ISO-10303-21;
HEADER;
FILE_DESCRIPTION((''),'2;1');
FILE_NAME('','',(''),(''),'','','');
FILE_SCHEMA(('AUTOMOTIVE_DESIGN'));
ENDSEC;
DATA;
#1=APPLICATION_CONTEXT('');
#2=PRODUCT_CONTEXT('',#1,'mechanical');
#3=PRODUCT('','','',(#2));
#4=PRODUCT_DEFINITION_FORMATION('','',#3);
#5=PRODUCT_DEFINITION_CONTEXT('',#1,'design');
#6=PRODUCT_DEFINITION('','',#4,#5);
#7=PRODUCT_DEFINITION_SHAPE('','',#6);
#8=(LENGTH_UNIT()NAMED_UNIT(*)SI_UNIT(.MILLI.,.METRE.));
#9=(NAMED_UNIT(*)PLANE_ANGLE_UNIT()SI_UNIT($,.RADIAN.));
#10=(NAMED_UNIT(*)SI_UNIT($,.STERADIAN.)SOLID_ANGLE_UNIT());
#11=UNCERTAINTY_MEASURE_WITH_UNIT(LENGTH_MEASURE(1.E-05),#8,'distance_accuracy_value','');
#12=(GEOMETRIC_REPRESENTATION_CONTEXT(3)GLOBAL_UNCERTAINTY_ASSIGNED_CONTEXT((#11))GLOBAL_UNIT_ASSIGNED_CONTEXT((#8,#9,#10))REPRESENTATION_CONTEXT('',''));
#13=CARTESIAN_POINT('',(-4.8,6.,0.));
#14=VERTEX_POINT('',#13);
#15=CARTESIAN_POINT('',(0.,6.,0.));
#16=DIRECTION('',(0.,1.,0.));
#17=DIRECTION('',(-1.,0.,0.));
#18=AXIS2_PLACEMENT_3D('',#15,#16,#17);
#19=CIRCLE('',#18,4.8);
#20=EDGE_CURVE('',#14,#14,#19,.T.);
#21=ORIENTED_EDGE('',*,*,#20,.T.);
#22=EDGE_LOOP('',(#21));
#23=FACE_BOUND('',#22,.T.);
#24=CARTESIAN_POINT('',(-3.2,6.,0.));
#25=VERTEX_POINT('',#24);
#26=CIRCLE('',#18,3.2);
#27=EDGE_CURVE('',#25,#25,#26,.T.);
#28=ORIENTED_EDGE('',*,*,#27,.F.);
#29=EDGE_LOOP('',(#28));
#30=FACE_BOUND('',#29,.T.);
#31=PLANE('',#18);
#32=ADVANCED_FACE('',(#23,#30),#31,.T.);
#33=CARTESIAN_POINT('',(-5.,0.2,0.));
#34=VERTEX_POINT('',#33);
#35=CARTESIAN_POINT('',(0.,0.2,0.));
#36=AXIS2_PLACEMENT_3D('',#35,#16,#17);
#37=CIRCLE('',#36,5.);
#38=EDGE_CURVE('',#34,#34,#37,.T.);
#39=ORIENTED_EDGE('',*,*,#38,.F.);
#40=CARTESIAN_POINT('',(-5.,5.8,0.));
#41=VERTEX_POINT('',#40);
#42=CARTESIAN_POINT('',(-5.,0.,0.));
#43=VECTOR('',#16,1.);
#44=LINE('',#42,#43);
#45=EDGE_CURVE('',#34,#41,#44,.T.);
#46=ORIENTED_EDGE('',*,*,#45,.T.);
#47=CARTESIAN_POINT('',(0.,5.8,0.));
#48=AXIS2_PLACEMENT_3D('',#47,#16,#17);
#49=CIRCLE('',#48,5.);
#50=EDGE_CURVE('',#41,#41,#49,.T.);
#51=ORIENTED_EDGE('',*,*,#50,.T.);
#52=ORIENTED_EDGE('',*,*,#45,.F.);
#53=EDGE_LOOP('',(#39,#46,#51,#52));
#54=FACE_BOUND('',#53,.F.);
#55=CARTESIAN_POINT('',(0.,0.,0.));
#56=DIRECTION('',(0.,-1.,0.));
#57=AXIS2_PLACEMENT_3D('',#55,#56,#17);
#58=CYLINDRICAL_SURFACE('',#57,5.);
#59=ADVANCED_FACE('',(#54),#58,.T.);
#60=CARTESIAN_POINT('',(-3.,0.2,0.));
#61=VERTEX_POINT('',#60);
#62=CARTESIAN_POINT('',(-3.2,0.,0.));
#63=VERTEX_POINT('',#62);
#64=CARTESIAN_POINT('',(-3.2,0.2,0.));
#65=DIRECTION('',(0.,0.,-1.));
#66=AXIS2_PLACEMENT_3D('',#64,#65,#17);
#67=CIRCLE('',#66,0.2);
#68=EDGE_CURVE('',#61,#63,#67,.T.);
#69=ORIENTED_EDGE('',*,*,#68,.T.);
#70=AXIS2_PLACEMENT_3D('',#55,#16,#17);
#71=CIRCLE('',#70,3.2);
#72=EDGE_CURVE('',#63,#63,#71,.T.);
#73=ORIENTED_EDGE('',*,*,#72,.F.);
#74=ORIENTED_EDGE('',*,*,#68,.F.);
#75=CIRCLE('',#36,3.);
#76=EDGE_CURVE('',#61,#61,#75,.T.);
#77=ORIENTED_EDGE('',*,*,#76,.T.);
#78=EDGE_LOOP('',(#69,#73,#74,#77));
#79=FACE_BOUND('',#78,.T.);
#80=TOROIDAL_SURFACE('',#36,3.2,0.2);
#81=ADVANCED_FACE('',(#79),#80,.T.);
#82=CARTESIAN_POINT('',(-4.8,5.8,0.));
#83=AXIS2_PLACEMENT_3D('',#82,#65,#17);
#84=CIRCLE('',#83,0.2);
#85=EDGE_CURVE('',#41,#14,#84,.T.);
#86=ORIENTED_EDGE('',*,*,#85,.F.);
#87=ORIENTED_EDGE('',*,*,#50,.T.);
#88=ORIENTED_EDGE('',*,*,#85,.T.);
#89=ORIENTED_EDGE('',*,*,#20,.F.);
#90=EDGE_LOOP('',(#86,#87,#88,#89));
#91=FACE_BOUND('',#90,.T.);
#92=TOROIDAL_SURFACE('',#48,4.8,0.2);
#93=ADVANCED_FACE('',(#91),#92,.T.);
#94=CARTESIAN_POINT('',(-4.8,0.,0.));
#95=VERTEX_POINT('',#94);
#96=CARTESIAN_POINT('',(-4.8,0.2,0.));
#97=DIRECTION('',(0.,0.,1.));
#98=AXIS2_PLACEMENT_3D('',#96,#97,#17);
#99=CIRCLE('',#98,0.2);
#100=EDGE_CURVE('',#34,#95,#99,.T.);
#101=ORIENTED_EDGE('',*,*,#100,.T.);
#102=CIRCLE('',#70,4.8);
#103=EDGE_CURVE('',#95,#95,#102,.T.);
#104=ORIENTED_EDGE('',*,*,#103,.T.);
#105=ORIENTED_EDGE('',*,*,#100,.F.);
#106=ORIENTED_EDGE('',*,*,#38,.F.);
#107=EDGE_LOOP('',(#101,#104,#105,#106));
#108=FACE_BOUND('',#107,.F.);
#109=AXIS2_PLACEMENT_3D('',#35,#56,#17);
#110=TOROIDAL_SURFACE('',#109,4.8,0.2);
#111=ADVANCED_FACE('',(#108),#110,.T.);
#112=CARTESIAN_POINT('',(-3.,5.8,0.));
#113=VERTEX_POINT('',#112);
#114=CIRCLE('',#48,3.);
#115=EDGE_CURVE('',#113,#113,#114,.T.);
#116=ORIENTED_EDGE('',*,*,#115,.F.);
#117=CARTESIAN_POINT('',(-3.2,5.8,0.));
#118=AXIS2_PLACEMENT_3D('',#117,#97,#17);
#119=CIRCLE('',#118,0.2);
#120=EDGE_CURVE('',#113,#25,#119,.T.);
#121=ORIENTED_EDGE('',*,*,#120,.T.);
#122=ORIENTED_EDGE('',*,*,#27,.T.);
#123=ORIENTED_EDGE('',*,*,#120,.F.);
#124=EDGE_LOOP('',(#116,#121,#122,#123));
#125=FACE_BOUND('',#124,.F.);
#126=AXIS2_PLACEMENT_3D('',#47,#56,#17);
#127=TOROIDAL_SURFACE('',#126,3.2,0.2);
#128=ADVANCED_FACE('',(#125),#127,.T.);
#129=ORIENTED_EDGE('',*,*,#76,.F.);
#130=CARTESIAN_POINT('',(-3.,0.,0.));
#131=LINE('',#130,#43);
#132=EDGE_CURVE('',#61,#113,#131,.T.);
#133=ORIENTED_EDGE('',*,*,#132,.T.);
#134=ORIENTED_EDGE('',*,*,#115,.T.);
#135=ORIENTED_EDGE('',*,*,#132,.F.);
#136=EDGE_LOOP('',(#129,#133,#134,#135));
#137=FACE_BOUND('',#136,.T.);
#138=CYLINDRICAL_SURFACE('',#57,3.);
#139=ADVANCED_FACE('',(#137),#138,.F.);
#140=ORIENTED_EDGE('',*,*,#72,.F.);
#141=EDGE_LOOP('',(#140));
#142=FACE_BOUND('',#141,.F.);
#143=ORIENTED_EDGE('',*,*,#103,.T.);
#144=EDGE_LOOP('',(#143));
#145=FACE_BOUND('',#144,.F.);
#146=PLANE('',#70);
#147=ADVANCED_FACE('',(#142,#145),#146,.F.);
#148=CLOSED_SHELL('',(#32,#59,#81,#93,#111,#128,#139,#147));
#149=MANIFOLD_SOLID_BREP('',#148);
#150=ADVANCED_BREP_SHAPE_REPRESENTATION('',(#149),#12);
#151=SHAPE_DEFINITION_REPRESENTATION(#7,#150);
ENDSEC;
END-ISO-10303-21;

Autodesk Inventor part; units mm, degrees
ref_plane "YZ Plane" through (0, 0, 0) normal (1, 0, 0) x (0, 1, 0)
ref_plane "XZ Plane" through (0, 0, 0) normal (0, 1, 0) x (-1, 0, 0)
ref_plane "XY Plane" through (0, 0, 0) normal (0, 0, 1) x (1, 0, 0)
sketch "Sketch1" plane through (0, 0, 0) normal (0, 1, 0) x (-1, 0, 0)
  circle A0 centre (0, 0) radius 3
  circle A1 centre (0, 0) radius 5
  dimension "d0" = 6
  dimension "d1" = 10
extrude "Extrusion1" add sketch "Sketch1" along normal blind 6
fillet "Fillet1" radius 0.2 4 edges at (3, 6, 0) (5, 6, 0) (3, 0, 0) (5, 0, 0)
properties part number "ball-bearing"
